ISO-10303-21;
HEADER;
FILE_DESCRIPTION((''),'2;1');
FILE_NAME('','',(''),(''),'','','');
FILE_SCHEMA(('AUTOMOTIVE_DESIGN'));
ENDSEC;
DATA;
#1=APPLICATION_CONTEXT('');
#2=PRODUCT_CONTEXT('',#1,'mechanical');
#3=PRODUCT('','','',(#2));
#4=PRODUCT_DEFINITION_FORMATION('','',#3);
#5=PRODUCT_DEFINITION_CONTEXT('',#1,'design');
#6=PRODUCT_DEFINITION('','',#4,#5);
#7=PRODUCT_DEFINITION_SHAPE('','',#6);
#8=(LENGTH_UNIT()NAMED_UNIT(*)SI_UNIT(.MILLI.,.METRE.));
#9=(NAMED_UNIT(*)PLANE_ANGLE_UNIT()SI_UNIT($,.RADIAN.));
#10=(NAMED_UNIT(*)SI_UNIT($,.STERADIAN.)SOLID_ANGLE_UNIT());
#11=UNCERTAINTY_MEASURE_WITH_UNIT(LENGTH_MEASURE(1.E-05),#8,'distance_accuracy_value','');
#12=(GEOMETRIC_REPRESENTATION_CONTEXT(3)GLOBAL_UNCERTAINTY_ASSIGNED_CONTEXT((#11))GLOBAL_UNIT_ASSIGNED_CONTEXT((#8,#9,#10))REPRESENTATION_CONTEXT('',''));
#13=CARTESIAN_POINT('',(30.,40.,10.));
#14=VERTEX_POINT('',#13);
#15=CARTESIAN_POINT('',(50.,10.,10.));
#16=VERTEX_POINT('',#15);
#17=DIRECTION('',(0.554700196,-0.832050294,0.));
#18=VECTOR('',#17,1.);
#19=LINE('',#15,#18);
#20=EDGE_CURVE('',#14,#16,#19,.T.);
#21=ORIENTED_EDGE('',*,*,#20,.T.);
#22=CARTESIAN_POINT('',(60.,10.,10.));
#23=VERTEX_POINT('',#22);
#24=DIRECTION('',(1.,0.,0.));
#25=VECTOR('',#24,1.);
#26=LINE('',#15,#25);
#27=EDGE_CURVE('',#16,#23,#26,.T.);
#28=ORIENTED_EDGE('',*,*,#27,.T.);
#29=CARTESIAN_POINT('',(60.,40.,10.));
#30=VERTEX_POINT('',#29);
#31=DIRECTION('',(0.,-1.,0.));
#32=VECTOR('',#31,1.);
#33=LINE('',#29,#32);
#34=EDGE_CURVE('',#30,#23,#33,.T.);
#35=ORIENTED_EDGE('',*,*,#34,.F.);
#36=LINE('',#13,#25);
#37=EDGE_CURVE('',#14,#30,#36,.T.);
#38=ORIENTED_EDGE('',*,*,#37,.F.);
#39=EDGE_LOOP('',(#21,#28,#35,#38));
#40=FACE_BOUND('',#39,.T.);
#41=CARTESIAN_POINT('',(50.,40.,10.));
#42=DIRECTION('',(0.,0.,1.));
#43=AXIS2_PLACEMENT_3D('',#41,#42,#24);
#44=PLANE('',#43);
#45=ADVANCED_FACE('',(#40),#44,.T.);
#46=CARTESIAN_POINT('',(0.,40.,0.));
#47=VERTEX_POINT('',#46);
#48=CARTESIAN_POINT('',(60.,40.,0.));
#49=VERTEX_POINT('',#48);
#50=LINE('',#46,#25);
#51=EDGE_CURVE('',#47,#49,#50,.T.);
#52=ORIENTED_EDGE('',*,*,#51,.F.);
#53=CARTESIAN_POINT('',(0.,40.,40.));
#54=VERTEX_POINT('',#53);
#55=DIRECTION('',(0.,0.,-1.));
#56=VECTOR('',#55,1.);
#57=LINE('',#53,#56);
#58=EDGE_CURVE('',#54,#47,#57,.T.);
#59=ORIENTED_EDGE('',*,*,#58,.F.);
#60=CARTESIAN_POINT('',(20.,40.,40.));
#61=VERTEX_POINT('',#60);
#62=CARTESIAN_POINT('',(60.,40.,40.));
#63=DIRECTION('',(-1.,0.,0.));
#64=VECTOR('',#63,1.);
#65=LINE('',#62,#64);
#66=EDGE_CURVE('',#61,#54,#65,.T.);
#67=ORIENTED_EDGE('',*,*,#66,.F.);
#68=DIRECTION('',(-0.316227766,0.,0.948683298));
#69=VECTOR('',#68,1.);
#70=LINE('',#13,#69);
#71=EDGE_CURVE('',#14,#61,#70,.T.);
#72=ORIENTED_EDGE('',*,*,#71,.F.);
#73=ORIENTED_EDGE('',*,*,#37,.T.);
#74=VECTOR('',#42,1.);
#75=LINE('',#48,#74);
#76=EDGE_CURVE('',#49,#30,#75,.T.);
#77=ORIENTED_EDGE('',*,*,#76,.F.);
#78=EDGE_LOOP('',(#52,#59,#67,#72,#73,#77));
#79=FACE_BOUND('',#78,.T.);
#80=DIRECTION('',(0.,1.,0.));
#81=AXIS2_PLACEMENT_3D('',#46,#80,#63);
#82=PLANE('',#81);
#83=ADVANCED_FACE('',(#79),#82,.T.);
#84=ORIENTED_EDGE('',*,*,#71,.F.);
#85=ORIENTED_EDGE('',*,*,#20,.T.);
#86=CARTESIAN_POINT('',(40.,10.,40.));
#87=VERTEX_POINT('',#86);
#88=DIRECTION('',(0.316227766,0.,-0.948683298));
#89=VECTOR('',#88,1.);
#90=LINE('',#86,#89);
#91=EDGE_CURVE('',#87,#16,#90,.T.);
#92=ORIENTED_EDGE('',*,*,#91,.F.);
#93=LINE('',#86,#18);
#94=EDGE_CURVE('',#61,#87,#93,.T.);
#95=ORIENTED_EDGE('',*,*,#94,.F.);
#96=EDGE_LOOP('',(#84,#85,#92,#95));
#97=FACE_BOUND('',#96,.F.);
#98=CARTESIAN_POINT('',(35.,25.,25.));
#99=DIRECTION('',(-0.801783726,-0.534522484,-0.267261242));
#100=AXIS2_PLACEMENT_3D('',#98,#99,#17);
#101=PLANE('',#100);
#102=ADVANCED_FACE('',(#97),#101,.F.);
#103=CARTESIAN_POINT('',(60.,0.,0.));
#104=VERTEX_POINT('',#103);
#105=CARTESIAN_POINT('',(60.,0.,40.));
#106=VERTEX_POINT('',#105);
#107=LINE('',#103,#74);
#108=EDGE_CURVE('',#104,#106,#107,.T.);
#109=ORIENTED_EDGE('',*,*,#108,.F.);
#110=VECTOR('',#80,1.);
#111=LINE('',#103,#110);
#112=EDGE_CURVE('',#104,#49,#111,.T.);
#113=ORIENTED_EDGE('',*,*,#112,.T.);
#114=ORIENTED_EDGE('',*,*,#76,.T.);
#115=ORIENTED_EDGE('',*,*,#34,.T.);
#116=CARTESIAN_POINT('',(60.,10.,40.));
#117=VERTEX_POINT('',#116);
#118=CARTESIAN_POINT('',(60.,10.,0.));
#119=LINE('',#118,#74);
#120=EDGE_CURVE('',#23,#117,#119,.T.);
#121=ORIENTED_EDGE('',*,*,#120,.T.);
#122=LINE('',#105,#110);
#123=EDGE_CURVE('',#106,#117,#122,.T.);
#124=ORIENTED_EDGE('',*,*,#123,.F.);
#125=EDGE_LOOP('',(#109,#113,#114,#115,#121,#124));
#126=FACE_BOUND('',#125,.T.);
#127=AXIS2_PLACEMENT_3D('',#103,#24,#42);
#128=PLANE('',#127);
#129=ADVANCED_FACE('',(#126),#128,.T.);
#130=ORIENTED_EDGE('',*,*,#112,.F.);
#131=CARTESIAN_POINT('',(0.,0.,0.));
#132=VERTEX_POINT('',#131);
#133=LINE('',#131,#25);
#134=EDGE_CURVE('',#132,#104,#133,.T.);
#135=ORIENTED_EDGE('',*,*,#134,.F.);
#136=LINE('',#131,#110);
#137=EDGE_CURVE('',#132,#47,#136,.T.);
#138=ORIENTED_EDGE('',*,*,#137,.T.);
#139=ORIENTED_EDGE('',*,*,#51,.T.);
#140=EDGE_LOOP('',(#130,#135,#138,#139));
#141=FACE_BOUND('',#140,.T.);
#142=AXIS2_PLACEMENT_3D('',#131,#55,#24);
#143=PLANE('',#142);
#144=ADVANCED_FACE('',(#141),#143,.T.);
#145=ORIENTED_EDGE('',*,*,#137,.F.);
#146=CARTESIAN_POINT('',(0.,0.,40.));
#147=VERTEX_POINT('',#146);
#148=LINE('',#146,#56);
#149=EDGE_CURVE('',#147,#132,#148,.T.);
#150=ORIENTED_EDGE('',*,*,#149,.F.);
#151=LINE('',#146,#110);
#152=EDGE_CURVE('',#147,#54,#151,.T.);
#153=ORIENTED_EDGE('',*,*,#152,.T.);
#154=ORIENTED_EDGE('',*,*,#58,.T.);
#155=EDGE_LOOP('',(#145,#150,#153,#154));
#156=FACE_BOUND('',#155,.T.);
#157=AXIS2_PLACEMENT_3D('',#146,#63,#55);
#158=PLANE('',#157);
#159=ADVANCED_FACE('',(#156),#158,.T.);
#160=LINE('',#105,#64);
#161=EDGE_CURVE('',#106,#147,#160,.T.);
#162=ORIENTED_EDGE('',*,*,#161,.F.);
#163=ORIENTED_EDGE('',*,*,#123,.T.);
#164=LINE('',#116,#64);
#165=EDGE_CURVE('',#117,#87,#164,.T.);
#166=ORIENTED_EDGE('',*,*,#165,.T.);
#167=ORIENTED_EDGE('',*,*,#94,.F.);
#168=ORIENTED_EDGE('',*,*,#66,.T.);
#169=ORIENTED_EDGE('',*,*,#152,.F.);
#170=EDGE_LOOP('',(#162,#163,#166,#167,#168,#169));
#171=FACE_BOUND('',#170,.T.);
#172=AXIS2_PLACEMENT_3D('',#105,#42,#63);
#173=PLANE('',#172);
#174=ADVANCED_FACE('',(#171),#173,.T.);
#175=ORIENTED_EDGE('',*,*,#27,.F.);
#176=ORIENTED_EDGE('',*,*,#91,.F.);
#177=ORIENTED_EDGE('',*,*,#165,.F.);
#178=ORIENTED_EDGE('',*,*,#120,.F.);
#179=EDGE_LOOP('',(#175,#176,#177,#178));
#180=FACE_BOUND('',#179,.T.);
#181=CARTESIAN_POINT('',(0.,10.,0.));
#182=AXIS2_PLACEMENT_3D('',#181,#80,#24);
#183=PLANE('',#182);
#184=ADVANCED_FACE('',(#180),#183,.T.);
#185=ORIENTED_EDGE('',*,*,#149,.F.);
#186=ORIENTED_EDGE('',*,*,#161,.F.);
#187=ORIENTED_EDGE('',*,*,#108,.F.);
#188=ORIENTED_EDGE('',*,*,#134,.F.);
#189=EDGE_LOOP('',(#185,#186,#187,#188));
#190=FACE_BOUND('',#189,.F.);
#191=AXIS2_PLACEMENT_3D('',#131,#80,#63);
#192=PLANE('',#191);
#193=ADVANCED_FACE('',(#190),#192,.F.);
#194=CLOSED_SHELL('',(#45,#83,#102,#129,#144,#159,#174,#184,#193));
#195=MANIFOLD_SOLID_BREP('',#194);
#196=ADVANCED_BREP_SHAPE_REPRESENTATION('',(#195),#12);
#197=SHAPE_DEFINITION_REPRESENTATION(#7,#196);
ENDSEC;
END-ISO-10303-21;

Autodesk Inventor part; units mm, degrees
ref_plane "YZ Plane" through (0, 0, 0) normal (1, 0, 0) x (0, 1, 0)
ref_plane "XZ Plane" through (0, 0, 0) normal (0, 1, 0) x (-1, 0, 0)
ref_plane "XY Plane" through (0, 0, 0) normal (0, 0, 1) x (1, 0, 0)
sketch "草圖1" plane through (0, 0, 0) normal (0, 1, 0) x (-1, 0, 0)
  line L0 (0, 0) -> (-60, 0)
  line L1 (-60, 0) -> (-60, 40)
  line L2 (-60, 40) -> (0, 40)
  line L3 (0, 40) -> (0, 0)
  dimension "d0" = 60
  dimension "d1" = 40
extrude "擠出1" add sketch "草圖1" along normal blind 40
sketch "草圖4" plane through (0, 40, 0) normal (0, 1, 0) x (1, 0, 0)
  line L0 (0, 0) -> (60, 0) projected
  line L1 (60, 0) -> (60, -40) projected
  line L2 (60, -40) -> (0, -40) projected
  line L3 (0, -40) -> (0, 0) projected
  line L4 (0, -40) -> (60, -40) projected
  line L5 (40, -40) -> (50, -10)
  line L6 (50, -10) -> (60, -10)
  dimension "d14" = 10
  dimension "d15" = 10
  dimension "d16" = 20
extrude "擠出2" cut sketch "草圖4" against normal blind 30 contours L1 L2 L5 L6
sketch "草圖5" plane through (50, 40, 10) normal (0, 0, 1) x (1, 0, 0)
  line L0 (0, 0) -> (0, -30) construction
  line L1 (0, -30) -> (10, -30) projected
  line L2 (10, 0) -> (10, -30) projected
  line L3 (0, 0) -> (10, 0) projected
  line L4 (-50, 0) -> (0, 0) construction
  line L5 (-50, -40) -> (-50, 0) construction
  line L6 (10, -40) -> (-50, -40) construction
  line L7 (10, -30) -> (10, -40) construction
  line L8 (10, -30) -> (0, -30)
  line L9 (0, -30) -> (-20, 0)
  line L10 (10, 0) -> (-50, 0) construction
  line L11 (-20, 0) -> (10, 0)
  line L12 (10, 0) -> (10, -30)
  dimension "d19" = 30
sketch "草圖6" plane through (0, 10, 0) normal (0, 1, 0) x (1, 0, 0)
  line L0 (50, -10) -> (40, -40) construction
  line L1 (60, -40) -> (40, -40) construction
  line L2 (60, -10) -> (60, -40) construction
  line L3 (60, 0) -> (60, -10) construction
  line L4 (0, 0) -> (60, 0) construction
  line L5 (0, -40) -> (0, 0) construction
  line L6 (40, -40) -> (0, -40) construction
  line L7 (60, -10) -> (50, -10) construction
  line L8 (40, -40) -> (50, -10) projected
  line L9 (50, -10) -> (40, -40)
sweep "掃掠1" cut profiles "草圖5" path "草圖6" path curves L9
properties part number "49" material "鋼、碳鋼"
